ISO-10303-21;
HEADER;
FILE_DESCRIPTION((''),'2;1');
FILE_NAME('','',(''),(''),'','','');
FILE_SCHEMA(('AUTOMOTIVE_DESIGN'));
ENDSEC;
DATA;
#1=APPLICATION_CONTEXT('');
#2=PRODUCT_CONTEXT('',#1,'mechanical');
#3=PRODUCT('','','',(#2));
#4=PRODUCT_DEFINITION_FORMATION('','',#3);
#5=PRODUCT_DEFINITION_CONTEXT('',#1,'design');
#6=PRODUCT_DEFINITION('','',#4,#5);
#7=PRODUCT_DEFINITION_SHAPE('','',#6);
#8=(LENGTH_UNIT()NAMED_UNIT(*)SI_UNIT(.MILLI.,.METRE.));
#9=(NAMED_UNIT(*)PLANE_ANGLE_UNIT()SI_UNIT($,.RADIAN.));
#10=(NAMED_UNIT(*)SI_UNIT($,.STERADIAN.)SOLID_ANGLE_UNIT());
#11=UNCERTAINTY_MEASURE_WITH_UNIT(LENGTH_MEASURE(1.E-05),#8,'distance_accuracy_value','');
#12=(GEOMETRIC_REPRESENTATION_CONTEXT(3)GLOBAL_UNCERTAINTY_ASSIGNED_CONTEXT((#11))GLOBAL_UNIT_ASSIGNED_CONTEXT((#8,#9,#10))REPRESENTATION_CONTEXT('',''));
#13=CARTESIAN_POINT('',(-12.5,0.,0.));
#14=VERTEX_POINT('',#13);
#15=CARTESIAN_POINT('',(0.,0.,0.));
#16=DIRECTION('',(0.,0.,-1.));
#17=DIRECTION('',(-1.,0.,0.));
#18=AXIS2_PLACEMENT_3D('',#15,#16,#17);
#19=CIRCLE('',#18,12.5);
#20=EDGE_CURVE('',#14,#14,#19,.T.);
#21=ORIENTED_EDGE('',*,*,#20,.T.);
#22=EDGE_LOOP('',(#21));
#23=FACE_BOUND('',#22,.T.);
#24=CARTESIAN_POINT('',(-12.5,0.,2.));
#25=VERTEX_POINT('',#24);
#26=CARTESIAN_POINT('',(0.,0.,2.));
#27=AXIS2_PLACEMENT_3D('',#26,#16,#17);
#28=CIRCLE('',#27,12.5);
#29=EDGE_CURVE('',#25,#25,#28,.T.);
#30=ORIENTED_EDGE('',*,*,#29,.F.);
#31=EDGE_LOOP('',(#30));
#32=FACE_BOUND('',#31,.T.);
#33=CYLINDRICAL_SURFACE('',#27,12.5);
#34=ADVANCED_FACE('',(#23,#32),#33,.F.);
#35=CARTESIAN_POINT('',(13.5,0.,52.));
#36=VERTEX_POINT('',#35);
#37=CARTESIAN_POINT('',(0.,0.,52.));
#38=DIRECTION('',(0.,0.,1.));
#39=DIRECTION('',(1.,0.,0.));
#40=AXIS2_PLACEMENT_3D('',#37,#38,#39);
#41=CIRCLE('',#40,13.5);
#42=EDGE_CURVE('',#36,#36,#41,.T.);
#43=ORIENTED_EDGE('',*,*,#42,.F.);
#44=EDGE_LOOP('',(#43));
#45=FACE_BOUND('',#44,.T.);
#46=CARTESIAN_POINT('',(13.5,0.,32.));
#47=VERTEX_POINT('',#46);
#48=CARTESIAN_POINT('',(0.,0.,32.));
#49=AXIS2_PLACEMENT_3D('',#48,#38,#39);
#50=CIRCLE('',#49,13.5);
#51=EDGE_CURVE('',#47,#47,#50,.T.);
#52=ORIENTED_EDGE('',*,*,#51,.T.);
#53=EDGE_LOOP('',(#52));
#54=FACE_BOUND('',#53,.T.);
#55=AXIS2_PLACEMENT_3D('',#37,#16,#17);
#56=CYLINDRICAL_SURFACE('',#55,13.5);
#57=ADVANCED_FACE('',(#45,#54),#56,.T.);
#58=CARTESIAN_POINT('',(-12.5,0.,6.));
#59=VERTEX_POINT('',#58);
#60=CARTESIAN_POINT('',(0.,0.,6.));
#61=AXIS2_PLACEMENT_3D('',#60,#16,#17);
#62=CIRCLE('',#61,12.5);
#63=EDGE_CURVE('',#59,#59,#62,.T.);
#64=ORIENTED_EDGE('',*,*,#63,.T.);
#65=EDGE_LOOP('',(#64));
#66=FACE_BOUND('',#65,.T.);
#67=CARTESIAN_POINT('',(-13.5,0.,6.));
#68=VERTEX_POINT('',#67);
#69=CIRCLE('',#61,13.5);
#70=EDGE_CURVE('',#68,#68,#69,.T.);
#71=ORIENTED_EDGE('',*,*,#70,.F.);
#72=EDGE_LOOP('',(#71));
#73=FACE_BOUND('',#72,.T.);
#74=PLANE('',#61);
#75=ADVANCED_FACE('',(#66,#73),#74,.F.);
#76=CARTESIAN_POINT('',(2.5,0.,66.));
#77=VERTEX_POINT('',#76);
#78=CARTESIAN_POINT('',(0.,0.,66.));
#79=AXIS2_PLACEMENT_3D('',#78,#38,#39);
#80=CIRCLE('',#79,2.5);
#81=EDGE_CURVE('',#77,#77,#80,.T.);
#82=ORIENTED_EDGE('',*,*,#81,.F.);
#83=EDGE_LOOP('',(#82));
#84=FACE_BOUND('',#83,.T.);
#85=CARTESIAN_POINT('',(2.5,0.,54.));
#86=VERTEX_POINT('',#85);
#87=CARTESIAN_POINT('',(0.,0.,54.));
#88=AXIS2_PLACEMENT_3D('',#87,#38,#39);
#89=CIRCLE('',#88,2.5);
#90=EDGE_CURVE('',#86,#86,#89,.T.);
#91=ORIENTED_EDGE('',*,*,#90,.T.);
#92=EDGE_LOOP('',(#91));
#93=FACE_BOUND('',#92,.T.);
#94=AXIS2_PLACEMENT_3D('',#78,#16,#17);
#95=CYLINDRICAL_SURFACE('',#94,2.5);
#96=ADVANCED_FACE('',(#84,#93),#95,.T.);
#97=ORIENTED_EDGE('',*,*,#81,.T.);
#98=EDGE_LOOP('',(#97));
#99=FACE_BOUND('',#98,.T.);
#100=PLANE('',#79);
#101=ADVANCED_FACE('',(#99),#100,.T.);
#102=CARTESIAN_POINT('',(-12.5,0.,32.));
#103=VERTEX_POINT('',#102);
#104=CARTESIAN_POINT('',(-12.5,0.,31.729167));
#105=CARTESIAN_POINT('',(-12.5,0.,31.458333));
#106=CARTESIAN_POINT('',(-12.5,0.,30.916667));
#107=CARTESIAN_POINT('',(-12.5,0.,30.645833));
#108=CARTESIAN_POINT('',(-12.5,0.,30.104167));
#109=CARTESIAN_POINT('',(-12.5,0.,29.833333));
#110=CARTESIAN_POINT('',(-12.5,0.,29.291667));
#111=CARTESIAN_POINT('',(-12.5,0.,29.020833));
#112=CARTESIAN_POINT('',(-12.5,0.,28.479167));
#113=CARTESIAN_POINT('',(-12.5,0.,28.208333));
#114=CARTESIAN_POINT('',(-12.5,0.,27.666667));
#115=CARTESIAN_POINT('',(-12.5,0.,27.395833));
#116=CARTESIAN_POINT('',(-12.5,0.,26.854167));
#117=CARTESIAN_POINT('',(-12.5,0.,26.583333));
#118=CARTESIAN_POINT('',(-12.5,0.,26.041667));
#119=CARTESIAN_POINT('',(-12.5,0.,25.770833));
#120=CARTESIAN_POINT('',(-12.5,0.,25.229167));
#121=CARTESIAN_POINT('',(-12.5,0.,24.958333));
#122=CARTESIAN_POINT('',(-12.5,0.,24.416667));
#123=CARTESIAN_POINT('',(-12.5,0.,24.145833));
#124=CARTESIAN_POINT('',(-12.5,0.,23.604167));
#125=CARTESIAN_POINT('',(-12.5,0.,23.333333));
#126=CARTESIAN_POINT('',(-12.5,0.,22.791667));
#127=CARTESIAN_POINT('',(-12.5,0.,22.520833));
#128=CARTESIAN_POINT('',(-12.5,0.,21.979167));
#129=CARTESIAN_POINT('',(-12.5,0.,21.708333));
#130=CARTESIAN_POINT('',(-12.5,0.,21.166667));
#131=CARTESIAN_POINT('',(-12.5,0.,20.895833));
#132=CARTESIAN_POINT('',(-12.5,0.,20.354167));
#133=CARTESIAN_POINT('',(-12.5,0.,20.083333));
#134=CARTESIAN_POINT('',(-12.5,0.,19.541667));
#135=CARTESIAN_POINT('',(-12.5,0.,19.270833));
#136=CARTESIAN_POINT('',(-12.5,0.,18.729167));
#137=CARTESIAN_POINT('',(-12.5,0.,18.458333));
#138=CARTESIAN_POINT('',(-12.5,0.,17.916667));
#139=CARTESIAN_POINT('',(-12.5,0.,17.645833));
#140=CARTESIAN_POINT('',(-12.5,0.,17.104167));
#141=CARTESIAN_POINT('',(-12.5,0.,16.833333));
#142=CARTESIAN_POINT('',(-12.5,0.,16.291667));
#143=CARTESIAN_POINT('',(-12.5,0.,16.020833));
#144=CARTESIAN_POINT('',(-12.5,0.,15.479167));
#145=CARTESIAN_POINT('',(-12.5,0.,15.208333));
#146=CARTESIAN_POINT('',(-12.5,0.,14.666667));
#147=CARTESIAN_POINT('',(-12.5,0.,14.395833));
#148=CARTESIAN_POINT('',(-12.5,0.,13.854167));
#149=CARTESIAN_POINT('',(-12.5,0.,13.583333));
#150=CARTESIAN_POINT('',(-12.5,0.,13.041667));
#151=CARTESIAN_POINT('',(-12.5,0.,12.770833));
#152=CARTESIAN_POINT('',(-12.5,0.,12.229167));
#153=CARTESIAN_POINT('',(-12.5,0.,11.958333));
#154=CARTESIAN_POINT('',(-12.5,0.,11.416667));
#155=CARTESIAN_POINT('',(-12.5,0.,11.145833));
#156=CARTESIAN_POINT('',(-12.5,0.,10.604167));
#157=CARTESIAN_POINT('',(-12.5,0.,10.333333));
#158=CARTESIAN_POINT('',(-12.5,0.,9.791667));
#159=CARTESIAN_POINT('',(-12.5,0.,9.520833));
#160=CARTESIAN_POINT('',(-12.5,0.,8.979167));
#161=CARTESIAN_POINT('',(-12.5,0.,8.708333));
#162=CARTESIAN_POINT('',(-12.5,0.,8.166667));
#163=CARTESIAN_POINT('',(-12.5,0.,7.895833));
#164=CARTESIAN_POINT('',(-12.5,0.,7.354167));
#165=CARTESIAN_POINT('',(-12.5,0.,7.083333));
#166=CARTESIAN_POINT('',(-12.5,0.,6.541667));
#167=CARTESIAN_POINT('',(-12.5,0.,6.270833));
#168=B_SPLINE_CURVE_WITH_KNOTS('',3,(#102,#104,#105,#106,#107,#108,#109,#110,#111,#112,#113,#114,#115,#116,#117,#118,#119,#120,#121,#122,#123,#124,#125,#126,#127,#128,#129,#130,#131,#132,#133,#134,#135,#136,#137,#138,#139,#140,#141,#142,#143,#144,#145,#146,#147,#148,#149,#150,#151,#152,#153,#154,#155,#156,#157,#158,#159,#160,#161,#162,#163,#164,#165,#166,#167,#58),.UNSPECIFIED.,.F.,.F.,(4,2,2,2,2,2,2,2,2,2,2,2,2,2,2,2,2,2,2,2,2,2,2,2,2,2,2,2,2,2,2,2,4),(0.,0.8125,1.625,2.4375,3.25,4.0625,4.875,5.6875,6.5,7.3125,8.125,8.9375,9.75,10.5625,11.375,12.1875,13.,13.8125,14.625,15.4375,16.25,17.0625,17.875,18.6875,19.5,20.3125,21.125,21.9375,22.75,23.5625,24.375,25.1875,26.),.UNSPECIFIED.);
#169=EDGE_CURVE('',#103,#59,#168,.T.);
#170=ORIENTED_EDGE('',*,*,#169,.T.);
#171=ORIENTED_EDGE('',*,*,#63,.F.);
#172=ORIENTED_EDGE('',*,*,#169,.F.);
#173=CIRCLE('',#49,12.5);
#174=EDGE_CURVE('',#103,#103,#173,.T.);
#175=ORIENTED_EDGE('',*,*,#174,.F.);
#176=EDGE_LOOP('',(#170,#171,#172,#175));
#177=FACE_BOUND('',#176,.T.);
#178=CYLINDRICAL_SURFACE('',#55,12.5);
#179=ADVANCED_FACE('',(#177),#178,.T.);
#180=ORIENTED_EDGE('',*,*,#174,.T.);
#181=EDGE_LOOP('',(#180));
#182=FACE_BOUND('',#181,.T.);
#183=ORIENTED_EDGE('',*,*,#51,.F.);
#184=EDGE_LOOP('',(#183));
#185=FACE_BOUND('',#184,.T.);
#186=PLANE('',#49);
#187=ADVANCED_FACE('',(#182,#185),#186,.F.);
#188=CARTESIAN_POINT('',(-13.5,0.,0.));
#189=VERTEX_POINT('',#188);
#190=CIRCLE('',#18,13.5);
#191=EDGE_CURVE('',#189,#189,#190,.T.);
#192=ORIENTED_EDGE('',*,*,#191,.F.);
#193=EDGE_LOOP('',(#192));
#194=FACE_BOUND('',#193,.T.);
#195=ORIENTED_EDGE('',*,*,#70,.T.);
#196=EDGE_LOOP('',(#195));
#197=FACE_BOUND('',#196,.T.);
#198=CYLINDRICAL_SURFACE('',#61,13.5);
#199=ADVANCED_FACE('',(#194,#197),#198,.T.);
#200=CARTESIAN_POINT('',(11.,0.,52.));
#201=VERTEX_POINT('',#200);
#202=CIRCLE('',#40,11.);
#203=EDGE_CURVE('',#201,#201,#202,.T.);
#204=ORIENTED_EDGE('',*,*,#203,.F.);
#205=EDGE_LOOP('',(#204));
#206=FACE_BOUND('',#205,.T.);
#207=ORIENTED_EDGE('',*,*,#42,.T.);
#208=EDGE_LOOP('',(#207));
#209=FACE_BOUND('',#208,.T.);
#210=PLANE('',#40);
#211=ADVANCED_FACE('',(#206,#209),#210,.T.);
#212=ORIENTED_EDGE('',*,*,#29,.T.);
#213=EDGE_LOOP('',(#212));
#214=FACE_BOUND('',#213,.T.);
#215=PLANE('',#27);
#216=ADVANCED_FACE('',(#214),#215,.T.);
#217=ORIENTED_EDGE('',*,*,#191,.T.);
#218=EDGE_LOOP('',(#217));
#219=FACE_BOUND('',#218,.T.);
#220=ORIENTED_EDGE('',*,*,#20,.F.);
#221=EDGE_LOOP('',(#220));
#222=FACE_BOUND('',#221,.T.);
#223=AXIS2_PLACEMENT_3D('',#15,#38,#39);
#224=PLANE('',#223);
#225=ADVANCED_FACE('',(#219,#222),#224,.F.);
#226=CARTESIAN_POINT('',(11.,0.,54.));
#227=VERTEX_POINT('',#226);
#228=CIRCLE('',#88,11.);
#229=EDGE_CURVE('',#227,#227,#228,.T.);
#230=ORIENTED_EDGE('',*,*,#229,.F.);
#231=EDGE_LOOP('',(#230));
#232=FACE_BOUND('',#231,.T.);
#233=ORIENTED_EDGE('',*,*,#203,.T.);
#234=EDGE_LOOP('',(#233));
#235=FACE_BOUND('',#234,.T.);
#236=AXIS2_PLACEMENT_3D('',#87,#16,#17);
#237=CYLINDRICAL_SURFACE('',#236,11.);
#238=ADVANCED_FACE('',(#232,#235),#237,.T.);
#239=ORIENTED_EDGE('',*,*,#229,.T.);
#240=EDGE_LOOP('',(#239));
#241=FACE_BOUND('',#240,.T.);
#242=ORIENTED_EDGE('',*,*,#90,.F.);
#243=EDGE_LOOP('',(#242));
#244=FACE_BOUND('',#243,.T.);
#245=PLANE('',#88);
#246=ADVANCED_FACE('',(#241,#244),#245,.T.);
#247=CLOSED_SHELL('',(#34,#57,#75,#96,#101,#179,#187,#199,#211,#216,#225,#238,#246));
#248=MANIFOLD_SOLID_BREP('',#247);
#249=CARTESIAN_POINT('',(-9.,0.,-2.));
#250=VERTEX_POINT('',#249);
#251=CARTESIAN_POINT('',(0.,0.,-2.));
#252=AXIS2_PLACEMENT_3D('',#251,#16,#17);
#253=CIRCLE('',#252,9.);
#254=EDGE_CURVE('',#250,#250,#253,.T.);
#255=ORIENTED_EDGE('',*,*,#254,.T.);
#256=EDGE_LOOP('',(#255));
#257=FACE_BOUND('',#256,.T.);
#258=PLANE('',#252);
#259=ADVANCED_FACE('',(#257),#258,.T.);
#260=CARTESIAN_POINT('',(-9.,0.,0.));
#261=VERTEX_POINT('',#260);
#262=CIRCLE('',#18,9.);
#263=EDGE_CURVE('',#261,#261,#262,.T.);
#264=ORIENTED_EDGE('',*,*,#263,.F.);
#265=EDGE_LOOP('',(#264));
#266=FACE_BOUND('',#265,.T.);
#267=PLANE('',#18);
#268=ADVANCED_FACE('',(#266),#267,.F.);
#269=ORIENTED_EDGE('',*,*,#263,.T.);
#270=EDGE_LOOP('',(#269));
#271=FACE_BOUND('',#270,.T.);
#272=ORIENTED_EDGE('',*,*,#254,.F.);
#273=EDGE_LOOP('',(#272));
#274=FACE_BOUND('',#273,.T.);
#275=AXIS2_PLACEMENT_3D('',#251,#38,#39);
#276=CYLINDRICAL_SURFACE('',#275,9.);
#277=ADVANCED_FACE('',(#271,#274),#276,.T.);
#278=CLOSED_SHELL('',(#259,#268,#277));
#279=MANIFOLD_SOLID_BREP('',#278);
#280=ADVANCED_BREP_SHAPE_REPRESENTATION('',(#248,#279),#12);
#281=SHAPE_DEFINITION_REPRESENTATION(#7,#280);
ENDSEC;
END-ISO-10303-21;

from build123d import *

# Parameters (mm, degrees)
SKETCH1_R           = 12.5
BOSS_EXTRUDE1_DEPTH = 52
SKETCH2_R           = 11
BOSS_EXTRUDE3_DEPTH = 2
SKETCH4_R           = 2.5
BOSS_EXTRUDE4_DEPTH = 12
BOSS_EXTRUDE5_START = -20
SKETCH5_R           = 13.5
BOSS_EXTRUDE5_DEPTH = 20
SKETCH6_R           = 13.5
BOSS_EXTRUDE6_DEPTH = 6
SKETCH8_R           = 9
BOSS_EXTRUDE7_DEPTH = 2
SKETCH9_R           = 12.5
CUT_EXTRUDE3_DEPTH  = 2


with BuildPart() as part:
    # Sketch1 → Boss-Extrude1 (new body)
    with BuildSketch(Plane.XY):
        with Locations(Location((0, 0, 0), (0, 0, 180))):
            Circle(SKETCH1_R)
    extrude(amount=BOSS_EXTRUDE1_DEPTH)

    # Sketch2 → Boss-Extrude3 (add)
    with BuildSketch(Plane.XY.offset(52)):
        Circle(SKETCH2_R)
    extrude(amount=BOSS_EXTRUDE3_DEPTH)

    # Sketch4 → Boss-Extrude4 (add)
    with BuildSketch(Plane.XY.offset(54)):
        Circle(SKETCH4_R)
    extrude(amount=BOSS_EXTRUDE4_DEPTH)

    # Sketch5 → Boss-Extrude5 (add)
    with BuildSketch(Plane.XY.offset(52).offset(BOSS_EXTRUDE5_START)):
        Circle(SKETCH5_R)
    extrude(amount=BOSS_EXTRUDE5_DEPTH)

    # Sketch6 → Boss-Extrude6 (add)
    with BuildSketch(Plane(origin=(0, 0, 0), x_dir=(-1, 0, 0), z_dir=(0, 0, -1))):
        with Locations(Location((0, 0, 0), (0, 0, 180))):
            Circle(SKETCH6_R)
    extrude(amount=-BOSS_EXTRUDE6_DEPTH)

    # Sketch8 → Boss-Extrude7 (add)
    with BuildSketch(Plane(origin=(0, 0, 0), x_dir=(-1, 0, 0), z_dir=(0, 0, -1))):
        Circle(SKETCH8_R)
    extrude(amount=BOSS_EXTRUDE7_DEPTH)

    # Sketch9 → Cut-Extrude3 (cut)
    with BuildSketch(Plane(origin=(0, 0, 0), x_dir=(-1, 0, 0), z_dir=(0, 0, -1))):
        Circle(SKETCH9_R)
    extrude(amount=-CUT_EXTRUDE3_DEPTH, mode=Mode.SUBTRACT)


with BuildPart() as cut_extrude3_piece_1:
    # of the separate pieces the step leaves, piece 1, a body of its own (cut_extrude3_pieces)
    add(part.part.solids().sort_by_distance((13.5, 0, 0))[0])


with BuildPart() as cut_extrude3_piece_2:
    # of the separate pieces the step leaves, piece 2, a body of its own (cut_extrude3_pieces)
    add(part.part.solids().sort_by_distance((-9, 0, 0))[0])


solid = Compound([cut_extrude3_piece_1.part, cut_extrude3_piece_2.part])
